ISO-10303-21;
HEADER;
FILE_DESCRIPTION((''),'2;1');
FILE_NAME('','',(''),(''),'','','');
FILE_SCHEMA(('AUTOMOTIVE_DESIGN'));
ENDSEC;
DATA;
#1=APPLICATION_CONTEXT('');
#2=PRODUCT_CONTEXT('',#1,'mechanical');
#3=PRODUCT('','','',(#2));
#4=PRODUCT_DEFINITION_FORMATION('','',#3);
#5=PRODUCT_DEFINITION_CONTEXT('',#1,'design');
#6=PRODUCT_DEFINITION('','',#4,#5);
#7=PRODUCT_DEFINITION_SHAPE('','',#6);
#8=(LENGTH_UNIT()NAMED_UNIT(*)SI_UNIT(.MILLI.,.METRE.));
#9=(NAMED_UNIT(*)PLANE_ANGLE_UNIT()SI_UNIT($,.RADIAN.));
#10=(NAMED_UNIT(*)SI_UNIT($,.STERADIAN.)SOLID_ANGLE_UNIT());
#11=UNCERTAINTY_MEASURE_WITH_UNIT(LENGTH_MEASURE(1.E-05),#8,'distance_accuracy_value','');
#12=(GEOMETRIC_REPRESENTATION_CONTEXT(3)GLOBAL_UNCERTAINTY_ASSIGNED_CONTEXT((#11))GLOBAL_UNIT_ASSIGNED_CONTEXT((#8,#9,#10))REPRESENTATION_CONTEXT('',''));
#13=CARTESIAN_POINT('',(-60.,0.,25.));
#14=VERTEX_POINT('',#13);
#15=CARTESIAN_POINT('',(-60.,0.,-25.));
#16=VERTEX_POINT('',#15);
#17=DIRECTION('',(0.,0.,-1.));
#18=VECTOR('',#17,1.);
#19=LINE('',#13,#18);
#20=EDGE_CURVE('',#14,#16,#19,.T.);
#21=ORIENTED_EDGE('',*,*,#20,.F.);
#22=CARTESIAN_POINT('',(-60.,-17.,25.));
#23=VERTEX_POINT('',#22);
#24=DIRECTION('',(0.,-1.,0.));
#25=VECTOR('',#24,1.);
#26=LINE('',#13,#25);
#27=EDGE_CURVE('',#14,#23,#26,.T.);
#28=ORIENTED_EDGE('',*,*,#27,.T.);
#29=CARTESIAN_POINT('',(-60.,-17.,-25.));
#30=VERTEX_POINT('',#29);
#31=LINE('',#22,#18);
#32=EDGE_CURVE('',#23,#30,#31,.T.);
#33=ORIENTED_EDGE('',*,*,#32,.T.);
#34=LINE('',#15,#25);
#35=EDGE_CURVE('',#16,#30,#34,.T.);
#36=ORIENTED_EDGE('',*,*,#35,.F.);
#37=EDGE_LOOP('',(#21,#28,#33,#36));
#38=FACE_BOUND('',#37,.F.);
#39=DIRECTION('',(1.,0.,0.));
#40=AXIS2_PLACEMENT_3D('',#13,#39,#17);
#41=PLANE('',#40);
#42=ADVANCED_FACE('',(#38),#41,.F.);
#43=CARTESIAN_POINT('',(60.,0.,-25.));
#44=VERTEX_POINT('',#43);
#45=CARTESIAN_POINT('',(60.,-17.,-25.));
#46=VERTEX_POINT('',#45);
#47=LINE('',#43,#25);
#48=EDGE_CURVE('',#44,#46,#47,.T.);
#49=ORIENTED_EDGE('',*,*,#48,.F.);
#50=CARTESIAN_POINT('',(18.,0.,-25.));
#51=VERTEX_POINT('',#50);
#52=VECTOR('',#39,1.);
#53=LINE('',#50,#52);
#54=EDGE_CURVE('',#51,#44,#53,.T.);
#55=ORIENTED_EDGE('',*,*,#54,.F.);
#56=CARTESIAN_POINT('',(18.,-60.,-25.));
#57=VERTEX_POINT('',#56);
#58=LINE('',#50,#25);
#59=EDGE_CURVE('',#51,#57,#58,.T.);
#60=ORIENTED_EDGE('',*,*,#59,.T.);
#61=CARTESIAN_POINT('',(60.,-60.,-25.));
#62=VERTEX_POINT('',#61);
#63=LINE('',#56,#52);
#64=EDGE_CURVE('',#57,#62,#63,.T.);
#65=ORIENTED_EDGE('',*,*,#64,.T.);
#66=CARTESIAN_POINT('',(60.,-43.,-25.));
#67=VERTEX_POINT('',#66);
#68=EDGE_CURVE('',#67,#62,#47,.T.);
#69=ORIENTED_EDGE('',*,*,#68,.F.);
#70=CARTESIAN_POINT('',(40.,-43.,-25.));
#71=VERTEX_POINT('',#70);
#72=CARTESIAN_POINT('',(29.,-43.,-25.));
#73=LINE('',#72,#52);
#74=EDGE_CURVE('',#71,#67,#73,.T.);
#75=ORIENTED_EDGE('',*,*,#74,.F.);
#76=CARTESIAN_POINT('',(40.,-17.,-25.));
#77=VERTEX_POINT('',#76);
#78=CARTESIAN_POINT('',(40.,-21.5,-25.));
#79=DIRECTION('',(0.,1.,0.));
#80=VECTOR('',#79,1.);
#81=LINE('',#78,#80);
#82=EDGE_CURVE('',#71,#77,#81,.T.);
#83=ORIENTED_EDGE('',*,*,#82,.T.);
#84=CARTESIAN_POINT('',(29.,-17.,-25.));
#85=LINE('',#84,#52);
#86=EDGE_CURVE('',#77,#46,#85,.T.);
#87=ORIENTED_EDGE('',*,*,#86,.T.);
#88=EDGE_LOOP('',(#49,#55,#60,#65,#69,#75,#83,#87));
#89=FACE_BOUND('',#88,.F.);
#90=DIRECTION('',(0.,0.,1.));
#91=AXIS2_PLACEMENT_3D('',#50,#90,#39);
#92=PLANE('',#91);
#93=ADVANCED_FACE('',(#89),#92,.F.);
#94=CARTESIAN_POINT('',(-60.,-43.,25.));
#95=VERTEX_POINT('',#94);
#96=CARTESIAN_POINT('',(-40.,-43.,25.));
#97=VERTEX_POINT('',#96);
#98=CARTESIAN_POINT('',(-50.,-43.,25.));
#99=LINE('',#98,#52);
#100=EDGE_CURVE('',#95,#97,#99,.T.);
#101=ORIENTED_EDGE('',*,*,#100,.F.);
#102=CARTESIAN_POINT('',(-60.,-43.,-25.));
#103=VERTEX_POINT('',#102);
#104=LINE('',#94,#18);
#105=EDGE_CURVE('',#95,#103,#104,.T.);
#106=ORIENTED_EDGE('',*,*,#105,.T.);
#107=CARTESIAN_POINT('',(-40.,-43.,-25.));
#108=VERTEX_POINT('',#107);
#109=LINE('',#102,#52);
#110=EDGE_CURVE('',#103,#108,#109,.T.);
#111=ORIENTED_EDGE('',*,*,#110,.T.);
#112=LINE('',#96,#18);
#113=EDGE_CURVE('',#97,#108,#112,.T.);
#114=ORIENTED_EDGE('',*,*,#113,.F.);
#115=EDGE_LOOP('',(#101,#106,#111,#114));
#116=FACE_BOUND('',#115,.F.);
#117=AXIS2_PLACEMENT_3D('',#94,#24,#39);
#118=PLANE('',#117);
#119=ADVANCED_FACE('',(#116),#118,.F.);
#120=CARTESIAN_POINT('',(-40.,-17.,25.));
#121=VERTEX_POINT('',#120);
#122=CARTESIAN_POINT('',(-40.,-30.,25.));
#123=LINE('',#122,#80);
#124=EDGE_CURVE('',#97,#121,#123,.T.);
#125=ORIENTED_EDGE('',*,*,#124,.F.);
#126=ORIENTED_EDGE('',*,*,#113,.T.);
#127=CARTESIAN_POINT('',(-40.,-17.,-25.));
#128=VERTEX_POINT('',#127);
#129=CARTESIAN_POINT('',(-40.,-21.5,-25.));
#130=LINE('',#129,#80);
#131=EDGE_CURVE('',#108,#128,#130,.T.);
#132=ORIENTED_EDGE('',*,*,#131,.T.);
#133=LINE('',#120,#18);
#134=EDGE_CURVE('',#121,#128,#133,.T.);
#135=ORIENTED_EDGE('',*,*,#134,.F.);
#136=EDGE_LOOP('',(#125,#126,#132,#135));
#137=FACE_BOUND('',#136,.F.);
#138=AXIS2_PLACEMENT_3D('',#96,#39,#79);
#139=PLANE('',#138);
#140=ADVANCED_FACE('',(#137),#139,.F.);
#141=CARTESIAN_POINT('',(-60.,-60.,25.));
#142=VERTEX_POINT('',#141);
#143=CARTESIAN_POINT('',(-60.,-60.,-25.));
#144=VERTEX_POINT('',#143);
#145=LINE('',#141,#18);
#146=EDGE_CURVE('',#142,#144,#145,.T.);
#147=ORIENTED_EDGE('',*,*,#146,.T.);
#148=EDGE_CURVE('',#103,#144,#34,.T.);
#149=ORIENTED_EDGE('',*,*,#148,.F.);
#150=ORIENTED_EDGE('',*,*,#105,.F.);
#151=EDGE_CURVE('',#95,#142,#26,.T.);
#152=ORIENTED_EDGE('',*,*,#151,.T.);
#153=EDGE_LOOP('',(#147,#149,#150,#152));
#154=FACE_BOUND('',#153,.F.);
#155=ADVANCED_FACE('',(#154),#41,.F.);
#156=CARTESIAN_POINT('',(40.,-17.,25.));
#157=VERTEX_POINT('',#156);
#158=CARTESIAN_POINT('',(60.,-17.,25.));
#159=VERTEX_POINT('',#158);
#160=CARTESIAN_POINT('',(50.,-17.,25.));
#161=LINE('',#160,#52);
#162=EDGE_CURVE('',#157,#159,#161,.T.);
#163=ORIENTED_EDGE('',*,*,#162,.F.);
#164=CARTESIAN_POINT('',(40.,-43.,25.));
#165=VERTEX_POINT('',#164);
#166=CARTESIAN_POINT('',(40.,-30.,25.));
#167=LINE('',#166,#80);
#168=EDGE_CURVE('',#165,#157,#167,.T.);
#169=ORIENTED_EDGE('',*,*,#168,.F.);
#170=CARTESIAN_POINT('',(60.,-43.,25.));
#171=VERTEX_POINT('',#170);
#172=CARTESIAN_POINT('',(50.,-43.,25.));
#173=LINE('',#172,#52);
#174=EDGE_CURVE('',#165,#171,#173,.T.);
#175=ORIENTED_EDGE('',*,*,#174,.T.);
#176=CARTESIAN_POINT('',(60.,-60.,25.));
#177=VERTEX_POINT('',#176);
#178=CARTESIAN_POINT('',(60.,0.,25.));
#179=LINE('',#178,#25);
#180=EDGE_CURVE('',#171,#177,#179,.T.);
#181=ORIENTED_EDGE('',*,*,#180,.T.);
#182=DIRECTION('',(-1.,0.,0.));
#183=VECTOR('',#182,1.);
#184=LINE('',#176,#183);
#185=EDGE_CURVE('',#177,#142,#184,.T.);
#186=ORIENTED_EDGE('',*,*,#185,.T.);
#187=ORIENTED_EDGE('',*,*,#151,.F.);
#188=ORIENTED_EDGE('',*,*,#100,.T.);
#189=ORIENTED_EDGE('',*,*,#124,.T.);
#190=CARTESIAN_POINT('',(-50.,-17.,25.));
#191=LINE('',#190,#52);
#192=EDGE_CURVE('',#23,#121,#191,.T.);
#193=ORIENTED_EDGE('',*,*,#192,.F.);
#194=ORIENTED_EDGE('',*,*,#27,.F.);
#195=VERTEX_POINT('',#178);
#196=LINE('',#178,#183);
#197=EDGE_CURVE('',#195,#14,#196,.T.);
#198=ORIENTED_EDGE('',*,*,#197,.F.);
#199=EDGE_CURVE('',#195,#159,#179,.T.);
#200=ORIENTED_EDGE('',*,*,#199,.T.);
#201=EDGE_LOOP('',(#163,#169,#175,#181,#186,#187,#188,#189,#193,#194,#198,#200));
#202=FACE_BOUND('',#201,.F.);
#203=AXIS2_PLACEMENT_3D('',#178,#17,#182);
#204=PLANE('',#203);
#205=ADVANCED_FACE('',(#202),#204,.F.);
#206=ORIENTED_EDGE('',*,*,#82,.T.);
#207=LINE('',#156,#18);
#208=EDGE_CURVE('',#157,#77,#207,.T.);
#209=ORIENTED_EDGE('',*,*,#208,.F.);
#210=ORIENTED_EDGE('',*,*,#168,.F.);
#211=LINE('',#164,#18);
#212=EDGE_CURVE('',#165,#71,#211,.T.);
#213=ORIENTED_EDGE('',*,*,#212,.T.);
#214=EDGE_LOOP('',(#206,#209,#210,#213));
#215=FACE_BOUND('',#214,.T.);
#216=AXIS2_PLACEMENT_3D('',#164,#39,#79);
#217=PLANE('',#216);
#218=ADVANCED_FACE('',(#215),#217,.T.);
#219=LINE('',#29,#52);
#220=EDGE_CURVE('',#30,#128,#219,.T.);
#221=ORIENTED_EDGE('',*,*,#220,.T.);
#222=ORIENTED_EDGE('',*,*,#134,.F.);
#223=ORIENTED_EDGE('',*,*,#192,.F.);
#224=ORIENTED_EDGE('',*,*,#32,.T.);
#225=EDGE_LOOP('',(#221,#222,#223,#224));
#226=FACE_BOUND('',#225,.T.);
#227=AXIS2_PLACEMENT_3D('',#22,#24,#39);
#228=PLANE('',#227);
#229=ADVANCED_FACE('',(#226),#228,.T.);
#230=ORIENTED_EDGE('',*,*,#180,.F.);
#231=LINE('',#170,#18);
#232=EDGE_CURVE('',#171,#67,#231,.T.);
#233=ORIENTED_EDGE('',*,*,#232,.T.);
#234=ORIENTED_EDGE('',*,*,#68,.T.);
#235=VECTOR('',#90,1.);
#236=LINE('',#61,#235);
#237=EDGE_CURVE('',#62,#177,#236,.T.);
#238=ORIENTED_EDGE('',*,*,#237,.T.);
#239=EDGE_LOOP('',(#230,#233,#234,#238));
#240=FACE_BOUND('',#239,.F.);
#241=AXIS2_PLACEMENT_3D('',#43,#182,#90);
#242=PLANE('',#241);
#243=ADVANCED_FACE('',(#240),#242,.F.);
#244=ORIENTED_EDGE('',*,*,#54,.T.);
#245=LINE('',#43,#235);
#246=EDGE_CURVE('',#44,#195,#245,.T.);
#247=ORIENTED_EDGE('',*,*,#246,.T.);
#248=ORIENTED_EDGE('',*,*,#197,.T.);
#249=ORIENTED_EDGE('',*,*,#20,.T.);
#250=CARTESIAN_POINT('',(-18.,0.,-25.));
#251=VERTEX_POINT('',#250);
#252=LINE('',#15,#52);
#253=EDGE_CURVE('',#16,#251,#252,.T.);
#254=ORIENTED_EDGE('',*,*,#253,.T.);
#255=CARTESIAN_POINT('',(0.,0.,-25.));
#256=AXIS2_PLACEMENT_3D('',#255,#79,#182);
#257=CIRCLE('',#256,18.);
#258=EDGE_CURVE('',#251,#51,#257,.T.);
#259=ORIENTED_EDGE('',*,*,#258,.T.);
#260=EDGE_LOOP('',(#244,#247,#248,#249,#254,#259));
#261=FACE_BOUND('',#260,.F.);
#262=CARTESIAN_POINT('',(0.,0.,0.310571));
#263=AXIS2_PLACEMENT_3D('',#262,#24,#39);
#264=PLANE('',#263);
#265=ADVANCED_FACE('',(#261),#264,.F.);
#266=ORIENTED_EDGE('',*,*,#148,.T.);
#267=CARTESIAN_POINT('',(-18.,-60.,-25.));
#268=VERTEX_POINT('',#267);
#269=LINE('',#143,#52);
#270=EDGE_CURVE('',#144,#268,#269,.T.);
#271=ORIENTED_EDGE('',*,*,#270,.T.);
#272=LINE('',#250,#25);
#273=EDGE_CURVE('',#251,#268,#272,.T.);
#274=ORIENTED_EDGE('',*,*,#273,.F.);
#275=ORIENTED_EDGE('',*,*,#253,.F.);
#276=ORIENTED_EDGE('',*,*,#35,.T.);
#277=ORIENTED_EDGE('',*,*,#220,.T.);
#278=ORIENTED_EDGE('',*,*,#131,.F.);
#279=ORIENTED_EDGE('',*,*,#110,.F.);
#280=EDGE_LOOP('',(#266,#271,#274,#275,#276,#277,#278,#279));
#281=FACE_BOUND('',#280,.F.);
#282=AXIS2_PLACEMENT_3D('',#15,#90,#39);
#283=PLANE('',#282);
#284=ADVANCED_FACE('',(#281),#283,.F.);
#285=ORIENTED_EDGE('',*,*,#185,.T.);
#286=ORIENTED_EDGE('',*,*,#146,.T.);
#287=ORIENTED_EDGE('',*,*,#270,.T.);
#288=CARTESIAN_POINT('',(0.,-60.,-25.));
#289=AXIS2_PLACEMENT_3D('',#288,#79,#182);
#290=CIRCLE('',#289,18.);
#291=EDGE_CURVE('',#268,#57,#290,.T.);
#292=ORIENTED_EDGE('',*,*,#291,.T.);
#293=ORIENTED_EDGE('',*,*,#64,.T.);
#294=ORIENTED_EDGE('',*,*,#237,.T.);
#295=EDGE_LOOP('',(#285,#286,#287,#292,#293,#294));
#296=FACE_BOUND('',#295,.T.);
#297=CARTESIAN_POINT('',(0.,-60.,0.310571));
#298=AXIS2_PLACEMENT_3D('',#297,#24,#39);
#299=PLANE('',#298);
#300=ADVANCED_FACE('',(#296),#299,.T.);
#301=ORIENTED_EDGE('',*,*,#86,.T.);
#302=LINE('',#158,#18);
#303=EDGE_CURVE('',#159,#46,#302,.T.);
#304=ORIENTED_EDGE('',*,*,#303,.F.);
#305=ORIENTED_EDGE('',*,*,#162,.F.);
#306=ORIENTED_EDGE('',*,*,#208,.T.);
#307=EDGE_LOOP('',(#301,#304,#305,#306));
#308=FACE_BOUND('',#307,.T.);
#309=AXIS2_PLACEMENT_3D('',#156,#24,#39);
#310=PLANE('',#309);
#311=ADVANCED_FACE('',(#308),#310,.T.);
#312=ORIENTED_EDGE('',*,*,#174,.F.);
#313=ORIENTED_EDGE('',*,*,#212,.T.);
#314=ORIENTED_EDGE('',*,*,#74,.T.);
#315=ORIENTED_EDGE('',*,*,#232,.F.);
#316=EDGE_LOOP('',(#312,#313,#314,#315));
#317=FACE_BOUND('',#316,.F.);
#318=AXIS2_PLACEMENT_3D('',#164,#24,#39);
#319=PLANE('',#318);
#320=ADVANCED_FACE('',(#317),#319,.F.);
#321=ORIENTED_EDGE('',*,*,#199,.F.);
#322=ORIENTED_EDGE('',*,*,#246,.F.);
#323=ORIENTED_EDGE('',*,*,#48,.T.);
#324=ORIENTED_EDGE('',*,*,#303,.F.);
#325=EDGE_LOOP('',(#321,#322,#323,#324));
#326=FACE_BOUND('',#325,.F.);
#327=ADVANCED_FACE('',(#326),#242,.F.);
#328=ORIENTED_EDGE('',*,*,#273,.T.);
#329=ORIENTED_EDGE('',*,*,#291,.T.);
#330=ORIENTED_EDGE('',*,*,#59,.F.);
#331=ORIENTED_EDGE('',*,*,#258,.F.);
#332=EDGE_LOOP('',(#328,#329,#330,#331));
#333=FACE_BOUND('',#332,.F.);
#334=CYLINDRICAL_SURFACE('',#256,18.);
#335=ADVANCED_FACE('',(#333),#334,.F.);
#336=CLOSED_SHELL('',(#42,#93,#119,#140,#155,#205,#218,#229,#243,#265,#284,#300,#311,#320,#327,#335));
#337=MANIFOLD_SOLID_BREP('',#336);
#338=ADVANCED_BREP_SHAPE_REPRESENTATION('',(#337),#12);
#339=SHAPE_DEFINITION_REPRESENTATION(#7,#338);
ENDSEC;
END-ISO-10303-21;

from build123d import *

# Parameters (mm, degrees)
F1_DEPTH = 60
F2_W     = 20
F2_H     = 26
F3_DEPTH = 50.001
F5_W     = 20
F5_H     = 26
F6_DEPTH = 50.001


with BuildPart() as f1:
    # F0 (on Front) → F1 (new body)
    with BuildSketch(Plane.XZ):
        with BuildLine():
            Line((60, 25), (-60, 25))
            Line((-60, 25), (-60, -25))
            Line((-60, -25), (-18, -25))
            ThreePointArc((-18, -25), (0, -7), (18, -25))
            Line((18, -25), (60, -25))
            Line((60, -25), (60, 25))
        make_face()
    extrude(amount=F1_DEPTH)

    # F2 (on face) → F3 (cut, through all)
    with BuildSketch(Plane.XY.offset(25)):
        with Locations((-50, -30)):
            Rectangle(F2_W, F2_H)
    extrude(amount=-F3_DEPTH, mode=Mode.SUBTRACT)

    # F5 (on face) → F6 (cut, through all)
    with BuildSketch(Plane.XY.offset(25)):
        with Locations((50, -30)):
            Rectangle(F5_W, F5_H)
    extrude(amount=-F6_DEPTH, mode=Mode.SUBTRACT)


solid = f1.part
